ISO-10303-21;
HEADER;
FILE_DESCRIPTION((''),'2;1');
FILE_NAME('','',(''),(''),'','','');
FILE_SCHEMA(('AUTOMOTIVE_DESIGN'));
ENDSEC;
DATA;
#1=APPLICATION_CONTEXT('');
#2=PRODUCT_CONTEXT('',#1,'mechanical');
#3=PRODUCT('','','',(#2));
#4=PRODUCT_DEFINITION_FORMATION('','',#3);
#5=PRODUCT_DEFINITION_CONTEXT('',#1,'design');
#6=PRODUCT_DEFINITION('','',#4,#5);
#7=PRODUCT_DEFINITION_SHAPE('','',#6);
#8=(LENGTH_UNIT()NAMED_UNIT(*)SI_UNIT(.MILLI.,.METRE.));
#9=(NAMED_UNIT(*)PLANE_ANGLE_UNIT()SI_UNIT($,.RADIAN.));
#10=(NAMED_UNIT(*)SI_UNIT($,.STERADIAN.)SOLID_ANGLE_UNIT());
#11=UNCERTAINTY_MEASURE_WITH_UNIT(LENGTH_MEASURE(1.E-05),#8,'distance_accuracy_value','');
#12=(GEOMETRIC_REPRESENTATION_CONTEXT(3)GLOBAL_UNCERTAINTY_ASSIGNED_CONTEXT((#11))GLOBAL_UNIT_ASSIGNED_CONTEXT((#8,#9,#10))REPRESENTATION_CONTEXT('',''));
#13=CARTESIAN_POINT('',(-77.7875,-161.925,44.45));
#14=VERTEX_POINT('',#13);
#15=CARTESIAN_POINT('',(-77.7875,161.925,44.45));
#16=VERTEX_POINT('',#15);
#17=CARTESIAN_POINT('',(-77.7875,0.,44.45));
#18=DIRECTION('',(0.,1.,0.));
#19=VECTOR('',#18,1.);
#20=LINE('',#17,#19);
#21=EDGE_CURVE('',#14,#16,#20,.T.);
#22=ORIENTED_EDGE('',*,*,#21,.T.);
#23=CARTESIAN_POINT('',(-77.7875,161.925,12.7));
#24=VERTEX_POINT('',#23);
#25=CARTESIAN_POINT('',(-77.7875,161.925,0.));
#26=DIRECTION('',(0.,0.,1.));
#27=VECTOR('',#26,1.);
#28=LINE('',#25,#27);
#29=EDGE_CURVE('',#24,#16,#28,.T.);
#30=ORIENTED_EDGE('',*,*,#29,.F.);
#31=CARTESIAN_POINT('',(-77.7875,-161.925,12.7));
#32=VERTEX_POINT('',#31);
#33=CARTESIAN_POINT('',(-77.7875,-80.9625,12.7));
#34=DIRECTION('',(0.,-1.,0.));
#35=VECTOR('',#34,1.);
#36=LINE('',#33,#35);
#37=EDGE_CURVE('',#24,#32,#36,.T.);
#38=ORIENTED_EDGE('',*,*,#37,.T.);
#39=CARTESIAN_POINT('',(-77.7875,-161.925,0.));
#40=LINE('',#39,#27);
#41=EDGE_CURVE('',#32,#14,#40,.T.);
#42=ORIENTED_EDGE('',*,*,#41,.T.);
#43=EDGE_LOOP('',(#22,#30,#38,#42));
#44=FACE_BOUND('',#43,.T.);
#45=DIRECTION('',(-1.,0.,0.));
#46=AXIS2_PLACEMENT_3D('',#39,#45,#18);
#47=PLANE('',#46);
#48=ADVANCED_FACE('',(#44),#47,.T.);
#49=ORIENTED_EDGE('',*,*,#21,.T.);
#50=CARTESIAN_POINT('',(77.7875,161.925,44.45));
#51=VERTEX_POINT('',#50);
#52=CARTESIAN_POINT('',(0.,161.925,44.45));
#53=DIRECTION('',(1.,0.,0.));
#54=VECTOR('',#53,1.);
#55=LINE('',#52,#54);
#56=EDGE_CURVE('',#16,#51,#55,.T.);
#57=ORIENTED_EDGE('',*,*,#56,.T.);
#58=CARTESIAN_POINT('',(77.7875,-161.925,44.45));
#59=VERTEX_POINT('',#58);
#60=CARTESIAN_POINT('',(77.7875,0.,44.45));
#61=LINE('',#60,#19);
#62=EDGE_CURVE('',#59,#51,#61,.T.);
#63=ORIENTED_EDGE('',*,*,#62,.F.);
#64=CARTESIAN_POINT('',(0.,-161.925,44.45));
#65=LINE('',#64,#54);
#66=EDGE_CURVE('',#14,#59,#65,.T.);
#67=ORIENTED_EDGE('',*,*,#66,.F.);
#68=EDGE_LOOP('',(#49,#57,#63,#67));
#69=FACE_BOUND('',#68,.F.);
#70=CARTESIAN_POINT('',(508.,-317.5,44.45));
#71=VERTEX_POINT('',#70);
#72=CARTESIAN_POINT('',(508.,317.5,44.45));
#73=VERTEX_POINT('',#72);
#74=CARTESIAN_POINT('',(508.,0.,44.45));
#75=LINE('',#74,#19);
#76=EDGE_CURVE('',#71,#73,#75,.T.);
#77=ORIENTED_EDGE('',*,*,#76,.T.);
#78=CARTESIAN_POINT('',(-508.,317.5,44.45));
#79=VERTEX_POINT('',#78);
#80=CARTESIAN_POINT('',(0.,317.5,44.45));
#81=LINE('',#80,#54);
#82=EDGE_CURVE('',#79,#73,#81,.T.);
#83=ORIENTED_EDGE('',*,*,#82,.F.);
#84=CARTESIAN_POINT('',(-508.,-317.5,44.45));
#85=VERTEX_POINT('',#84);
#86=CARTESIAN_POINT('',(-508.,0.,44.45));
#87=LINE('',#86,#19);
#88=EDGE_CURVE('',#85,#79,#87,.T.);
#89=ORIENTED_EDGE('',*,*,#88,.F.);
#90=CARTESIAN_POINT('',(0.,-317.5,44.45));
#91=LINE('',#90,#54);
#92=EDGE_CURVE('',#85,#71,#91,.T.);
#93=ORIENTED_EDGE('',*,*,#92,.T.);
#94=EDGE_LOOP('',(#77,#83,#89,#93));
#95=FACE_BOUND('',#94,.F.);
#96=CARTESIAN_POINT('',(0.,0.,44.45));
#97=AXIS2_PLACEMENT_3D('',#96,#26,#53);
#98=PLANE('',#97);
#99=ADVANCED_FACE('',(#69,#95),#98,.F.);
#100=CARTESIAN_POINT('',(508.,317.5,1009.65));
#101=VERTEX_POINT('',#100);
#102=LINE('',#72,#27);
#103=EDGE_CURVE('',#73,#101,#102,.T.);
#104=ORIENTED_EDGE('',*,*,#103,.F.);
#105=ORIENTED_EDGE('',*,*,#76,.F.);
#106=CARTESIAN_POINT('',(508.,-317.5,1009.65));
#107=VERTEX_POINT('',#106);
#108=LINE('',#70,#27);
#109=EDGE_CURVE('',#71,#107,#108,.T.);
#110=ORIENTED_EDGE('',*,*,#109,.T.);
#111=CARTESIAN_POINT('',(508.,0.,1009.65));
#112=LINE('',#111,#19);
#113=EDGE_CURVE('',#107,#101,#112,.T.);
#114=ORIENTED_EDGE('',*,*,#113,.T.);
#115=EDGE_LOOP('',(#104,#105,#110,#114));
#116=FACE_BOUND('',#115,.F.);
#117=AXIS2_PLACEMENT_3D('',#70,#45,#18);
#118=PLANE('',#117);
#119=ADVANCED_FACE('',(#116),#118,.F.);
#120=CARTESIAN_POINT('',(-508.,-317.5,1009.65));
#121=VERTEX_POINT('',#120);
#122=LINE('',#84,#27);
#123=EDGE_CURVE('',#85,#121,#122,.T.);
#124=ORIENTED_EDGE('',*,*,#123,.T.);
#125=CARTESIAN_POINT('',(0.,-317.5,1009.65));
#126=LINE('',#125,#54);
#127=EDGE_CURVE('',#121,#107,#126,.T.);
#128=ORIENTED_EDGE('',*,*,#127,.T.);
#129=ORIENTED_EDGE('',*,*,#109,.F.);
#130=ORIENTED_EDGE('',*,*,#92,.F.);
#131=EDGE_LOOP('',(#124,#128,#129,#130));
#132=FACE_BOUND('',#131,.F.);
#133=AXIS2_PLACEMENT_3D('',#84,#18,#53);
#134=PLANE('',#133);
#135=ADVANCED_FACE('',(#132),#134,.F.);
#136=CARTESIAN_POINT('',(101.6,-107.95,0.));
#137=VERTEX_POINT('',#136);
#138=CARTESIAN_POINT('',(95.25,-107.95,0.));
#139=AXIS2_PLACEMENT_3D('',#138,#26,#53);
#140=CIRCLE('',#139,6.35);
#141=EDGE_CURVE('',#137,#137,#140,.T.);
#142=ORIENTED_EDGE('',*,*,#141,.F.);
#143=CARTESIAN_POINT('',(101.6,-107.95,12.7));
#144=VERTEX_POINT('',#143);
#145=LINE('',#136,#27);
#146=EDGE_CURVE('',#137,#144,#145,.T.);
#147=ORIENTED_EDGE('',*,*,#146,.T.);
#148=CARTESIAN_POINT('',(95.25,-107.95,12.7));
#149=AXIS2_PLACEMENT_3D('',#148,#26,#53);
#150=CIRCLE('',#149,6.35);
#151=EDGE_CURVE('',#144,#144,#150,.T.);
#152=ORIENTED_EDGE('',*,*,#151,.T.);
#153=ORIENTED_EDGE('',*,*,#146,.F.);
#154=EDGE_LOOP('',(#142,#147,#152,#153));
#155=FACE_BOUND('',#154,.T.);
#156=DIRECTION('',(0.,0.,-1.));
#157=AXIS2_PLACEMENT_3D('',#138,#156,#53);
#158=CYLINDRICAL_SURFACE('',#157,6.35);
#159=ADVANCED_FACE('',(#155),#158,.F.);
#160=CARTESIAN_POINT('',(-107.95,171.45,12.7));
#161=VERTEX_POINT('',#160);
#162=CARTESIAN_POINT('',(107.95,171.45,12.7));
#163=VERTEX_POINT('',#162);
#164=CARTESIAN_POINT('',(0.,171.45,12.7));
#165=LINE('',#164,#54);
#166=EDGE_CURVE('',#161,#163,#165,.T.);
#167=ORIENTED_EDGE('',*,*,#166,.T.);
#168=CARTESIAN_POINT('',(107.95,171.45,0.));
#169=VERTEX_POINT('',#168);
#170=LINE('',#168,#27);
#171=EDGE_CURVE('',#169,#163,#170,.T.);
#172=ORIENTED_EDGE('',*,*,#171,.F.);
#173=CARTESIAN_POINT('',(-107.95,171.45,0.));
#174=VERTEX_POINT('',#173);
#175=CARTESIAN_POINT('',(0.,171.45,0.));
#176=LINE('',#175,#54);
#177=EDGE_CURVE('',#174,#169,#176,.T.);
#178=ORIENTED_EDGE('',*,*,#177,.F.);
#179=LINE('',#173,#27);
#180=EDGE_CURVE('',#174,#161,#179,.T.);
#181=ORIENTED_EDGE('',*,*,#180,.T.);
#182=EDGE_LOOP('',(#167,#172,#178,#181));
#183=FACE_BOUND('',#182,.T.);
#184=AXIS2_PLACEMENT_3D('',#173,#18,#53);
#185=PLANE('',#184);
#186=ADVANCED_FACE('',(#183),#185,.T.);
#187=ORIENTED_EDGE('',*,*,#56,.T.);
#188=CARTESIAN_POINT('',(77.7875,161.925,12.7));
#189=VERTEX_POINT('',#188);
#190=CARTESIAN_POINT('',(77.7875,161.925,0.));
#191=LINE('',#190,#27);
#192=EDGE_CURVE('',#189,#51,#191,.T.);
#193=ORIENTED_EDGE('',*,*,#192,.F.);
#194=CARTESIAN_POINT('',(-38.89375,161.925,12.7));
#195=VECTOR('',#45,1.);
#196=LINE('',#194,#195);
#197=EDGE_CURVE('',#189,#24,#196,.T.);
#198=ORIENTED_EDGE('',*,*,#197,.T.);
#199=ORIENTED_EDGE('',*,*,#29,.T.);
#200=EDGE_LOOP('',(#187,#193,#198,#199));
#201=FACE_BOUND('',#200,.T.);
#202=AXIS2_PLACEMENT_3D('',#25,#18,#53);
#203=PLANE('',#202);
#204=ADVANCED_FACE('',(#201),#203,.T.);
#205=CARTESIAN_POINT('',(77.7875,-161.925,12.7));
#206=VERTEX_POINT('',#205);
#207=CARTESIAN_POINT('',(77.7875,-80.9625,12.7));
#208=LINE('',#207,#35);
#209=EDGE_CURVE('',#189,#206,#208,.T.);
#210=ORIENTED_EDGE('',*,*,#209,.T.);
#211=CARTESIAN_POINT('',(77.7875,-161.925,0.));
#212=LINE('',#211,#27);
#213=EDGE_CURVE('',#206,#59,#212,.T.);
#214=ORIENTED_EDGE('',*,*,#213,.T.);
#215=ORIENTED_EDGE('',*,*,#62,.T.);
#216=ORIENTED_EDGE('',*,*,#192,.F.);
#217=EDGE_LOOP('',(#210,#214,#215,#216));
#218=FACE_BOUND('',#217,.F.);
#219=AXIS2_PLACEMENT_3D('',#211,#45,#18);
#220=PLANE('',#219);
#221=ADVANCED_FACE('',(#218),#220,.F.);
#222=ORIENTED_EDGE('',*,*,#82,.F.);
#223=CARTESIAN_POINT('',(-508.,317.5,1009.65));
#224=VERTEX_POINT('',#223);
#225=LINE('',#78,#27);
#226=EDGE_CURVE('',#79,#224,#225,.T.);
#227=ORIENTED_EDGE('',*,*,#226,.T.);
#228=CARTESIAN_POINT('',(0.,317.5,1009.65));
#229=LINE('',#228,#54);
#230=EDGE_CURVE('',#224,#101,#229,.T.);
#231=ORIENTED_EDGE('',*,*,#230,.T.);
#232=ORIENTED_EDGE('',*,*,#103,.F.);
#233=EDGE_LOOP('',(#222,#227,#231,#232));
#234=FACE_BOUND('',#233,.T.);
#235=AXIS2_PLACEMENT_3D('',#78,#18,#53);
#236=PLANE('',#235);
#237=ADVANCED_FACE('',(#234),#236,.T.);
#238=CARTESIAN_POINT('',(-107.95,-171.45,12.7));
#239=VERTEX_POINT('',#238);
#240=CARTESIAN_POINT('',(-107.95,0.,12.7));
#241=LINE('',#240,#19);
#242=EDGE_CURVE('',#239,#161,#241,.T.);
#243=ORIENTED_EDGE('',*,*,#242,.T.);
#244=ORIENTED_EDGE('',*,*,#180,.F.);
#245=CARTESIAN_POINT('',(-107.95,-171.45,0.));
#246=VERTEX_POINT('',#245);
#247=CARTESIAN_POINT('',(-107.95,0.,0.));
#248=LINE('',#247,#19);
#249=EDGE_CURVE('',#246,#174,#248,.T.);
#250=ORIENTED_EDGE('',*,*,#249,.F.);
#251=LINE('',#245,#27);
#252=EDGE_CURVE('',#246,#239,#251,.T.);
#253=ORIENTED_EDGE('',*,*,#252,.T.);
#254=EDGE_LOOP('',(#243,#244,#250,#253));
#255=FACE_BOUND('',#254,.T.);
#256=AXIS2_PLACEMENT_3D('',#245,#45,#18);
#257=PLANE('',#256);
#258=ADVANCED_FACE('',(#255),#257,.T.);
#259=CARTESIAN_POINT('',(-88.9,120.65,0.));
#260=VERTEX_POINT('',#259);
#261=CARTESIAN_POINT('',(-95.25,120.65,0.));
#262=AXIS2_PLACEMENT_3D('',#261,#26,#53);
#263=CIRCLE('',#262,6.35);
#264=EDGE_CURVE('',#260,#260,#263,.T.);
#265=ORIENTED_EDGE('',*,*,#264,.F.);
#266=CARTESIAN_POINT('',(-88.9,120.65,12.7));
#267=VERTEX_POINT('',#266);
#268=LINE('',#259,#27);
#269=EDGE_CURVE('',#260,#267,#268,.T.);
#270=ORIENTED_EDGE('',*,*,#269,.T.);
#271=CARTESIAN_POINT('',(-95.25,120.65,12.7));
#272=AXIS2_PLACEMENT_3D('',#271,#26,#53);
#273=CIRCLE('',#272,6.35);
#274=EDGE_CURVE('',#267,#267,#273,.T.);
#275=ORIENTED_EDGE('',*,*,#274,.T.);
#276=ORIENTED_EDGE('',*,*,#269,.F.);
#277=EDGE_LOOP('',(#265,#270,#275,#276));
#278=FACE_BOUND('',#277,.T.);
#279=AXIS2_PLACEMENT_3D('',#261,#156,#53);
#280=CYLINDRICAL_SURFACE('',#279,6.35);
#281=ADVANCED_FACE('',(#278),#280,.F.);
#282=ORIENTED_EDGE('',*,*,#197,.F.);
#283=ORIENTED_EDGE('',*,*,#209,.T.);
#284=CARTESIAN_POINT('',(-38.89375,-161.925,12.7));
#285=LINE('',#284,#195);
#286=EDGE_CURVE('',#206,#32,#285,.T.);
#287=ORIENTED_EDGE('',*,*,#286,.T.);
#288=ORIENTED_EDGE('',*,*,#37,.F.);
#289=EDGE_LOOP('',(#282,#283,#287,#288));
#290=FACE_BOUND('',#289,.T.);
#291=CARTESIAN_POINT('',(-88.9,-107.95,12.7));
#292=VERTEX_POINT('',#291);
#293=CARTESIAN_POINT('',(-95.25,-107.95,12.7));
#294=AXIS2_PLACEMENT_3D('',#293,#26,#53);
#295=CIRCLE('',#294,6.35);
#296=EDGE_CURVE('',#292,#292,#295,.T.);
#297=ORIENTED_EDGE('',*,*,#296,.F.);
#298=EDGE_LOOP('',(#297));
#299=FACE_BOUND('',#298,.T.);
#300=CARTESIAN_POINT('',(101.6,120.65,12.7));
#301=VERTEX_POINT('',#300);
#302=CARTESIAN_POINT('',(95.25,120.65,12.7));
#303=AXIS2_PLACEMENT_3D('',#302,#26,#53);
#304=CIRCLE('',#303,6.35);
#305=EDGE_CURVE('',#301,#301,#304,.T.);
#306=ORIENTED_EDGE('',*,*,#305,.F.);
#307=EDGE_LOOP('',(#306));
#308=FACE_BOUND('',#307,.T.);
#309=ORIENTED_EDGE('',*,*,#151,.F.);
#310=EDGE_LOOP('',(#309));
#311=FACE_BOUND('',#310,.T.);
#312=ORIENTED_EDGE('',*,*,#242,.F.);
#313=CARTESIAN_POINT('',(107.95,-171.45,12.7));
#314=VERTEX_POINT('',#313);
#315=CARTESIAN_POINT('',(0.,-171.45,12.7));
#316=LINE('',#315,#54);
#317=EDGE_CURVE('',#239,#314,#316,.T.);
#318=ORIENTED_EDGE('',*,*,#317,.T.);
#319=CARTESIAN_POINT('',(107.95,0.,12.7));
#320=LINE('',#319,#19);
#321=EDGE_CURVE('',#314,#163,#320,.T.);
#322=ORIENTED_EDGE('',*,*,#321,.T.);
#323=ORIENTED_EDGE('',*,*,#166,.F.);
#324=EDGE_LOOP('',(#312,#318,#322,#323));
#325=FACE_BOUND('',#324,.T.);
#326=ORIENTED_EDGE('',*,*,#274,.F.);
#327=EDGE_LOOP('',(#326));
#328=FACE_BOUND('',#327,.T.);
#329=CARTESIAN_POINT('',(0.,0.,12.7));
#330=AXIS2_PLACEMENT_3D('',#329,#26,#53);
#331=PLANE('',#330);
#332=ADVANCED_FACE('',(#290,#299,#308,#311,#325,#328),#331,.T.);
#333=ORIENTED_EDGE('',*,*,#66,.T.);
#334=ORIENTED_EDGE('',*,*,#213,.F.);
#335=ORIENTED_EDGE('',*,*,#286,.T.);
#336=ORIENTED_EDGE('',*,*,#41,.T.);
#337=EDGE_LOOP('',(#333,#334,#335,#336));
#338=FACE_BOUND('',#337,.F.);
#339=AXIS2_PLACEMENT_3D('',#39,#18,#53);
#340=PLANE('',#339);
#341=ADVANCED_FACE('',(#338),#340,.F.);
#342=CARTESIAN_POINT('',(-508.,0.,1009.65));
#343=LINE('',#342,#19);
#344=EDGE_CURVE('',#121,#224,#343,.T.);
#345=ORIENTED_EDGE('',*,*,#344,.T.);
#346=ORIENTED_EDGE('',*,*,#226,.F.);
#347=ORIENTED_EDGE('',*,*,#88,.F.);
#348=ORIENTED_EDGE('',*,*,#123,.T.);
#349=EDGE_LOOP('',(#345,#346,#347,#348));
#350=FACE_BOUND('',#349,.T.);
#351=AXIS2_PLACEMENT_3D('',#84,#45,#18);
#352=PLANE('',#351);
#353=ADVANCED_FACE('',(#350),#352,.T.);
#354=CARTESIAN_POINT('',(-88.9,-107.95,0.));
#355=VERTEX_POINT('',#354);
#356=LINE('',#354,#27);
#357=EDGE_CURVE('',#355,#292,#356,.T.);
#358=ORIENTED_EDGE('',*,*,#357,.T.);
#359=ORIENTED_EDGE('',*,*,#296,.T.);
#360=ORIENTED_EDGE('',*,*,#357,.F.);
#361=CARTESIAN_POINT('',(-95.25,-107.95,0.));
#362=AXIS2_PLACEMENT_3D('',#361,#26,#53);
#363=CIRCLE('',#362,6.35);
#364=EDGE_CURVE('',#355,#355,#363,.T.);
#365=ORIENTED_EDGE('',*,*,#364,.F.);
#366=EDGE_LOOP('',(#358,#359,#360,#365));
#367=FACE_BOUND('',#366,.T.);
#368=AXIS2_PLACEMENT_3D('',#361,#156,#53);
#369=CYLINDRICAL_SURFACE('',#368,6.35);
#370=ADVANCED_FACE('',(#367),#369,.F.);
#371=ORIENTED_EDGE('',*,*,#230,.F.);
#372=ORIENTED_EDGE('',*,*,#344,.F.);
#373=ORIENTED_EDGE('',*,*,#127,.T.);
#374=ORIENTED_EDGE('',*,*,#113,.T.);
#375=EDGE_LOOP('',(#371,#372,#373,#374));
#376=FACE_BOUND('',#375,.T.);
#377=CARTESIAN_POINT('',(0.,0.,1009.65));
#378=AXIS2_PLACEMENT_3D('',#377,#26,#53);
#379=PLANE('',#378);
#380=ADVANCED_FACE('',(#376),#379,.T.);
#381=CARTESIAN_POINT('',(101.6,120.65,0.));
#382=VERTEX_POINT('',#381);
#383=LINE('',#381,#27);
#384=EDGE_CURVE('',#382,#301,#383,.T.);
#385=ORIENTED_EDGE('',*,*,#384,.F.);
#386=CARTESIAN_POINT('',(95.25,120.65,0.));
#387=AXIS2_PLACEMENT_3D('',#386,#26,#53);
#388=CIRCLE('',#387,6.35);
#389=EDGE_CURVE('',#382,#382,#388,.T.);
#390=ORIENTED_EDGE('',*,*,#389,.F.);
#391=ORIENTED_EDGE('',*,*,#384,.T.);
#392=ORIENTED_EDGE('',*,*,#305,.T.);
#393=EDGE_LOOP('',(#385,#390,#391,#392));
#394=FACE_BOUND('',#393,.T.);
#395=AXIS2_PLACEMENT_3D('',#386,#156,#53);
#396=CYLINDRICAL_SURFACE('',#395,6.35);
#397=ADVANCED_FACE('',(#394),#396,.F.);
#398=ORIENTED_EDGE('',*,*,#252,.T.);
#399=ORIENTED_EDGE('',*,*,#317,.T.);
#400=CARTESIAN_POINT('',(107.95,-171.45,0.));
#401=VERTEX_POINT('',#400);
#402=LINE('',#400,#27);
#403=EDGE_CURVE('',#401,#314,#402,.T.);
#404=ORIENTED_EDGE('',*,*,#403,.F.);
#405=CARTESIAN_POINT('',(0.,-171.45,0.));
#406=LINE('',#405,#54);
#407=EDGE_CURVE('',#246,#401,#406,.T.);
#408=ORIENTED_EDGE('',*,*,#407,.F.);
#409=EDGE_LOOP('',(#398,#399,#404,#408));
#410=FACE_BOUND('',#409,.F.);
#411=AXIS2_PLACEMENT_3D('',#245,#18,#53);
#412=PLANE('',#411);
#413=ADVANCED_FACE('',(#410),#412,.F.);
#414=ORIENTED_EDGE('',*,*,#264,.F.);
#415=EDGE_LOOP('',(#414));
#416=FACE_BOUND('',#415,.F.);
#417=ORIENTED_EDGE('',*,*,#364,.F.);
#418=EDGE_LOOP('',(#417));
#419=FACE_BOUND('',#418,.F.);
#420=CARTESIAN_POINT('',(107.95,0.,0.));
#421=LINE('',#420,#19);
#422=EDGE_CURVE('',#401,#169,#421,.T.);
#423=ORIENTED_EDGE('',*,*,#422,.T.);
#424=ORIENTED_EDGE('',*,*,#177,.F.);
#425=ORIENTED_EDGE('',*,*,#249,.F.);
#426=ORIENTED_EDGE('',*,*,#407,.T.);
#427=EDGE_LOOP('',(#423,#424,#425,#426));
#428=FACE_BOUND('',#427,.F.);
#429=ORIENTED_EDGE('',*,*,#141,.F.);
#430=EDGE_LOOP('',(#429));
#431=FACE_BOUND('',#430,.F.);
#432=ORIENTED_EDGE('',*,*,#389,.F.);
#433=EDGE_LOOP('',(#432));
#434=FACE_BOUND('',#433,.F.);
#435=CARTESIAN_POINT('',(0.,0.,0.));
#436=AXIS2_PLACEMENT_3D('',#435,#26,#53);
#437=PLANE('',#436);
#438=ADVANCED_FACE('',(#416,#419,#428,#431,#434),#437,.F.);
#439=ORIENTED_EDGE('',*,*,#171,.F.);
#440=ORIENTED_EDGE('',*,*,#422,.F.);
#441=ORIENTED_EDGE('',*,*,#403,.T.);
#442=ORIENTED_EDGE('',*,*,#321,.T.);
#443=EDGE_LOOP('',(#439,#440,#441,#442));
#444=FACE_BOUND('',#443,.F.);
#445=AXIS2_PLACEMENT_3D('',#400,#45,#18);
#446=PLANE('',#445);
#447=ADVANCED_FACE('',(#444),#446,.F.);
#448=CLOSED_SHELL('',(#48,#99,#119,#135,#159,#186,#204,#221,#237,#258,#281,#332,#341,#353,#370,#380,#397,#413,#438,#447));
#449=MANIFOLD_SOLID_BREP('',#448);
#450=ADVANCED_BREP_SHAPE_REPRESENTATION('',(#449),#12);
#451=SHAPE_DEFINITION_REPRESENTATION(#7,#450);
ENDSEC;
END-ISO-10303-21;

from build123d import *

# Parameters (mm, degrees)
F0_W     = 215.9
F0_H     = 342.9
F0_R     = 6.35
F1_DEPTH = 12.7
F2_W     = 155.575
F2_H     = 323.85
F3_DEPTH = 44.45
F4_W     = 1016
F4_H     = 635
F5_DEPTH = 965.2


with BuildPart() as f1:
    # F0 (on Top) → F1 (new body)
    with BuildSketch(Plane.XY):
        Rectangle(F0_W, F0_H)
        with Locations((-95.25, -107.95)):
            Circle(F0_R, mode=Mode.SUBTRACT)
        with Locations((95.25, -107.95)):
            Circle(F0_R, mode=Mode.SUBTRACT)
        with Locations((-95.25, 120.65)):
            Circle(F0_R, mode=Mode.SUBTRACT)
        with Locations((95.25, 120.65)):
            Circle(F0_R, mode=Mode.SUBTRACT)
    extrude(amount=F1_DEPTH)

    # F2 (on face) → F3 (join)
    with BuildSketch(Plane.XY):
        Rectangle(F2_W, F2_H)
    extrude(amount=F3_DEPTH)

    # F4 (on face) → F5 (join)
    with BuildSketch(Plane.XY.offset(44.45)):
        Rectangle(F4_W, F4_H)
    extrude(amount=F5_DEPTH)


solid = f1.part
